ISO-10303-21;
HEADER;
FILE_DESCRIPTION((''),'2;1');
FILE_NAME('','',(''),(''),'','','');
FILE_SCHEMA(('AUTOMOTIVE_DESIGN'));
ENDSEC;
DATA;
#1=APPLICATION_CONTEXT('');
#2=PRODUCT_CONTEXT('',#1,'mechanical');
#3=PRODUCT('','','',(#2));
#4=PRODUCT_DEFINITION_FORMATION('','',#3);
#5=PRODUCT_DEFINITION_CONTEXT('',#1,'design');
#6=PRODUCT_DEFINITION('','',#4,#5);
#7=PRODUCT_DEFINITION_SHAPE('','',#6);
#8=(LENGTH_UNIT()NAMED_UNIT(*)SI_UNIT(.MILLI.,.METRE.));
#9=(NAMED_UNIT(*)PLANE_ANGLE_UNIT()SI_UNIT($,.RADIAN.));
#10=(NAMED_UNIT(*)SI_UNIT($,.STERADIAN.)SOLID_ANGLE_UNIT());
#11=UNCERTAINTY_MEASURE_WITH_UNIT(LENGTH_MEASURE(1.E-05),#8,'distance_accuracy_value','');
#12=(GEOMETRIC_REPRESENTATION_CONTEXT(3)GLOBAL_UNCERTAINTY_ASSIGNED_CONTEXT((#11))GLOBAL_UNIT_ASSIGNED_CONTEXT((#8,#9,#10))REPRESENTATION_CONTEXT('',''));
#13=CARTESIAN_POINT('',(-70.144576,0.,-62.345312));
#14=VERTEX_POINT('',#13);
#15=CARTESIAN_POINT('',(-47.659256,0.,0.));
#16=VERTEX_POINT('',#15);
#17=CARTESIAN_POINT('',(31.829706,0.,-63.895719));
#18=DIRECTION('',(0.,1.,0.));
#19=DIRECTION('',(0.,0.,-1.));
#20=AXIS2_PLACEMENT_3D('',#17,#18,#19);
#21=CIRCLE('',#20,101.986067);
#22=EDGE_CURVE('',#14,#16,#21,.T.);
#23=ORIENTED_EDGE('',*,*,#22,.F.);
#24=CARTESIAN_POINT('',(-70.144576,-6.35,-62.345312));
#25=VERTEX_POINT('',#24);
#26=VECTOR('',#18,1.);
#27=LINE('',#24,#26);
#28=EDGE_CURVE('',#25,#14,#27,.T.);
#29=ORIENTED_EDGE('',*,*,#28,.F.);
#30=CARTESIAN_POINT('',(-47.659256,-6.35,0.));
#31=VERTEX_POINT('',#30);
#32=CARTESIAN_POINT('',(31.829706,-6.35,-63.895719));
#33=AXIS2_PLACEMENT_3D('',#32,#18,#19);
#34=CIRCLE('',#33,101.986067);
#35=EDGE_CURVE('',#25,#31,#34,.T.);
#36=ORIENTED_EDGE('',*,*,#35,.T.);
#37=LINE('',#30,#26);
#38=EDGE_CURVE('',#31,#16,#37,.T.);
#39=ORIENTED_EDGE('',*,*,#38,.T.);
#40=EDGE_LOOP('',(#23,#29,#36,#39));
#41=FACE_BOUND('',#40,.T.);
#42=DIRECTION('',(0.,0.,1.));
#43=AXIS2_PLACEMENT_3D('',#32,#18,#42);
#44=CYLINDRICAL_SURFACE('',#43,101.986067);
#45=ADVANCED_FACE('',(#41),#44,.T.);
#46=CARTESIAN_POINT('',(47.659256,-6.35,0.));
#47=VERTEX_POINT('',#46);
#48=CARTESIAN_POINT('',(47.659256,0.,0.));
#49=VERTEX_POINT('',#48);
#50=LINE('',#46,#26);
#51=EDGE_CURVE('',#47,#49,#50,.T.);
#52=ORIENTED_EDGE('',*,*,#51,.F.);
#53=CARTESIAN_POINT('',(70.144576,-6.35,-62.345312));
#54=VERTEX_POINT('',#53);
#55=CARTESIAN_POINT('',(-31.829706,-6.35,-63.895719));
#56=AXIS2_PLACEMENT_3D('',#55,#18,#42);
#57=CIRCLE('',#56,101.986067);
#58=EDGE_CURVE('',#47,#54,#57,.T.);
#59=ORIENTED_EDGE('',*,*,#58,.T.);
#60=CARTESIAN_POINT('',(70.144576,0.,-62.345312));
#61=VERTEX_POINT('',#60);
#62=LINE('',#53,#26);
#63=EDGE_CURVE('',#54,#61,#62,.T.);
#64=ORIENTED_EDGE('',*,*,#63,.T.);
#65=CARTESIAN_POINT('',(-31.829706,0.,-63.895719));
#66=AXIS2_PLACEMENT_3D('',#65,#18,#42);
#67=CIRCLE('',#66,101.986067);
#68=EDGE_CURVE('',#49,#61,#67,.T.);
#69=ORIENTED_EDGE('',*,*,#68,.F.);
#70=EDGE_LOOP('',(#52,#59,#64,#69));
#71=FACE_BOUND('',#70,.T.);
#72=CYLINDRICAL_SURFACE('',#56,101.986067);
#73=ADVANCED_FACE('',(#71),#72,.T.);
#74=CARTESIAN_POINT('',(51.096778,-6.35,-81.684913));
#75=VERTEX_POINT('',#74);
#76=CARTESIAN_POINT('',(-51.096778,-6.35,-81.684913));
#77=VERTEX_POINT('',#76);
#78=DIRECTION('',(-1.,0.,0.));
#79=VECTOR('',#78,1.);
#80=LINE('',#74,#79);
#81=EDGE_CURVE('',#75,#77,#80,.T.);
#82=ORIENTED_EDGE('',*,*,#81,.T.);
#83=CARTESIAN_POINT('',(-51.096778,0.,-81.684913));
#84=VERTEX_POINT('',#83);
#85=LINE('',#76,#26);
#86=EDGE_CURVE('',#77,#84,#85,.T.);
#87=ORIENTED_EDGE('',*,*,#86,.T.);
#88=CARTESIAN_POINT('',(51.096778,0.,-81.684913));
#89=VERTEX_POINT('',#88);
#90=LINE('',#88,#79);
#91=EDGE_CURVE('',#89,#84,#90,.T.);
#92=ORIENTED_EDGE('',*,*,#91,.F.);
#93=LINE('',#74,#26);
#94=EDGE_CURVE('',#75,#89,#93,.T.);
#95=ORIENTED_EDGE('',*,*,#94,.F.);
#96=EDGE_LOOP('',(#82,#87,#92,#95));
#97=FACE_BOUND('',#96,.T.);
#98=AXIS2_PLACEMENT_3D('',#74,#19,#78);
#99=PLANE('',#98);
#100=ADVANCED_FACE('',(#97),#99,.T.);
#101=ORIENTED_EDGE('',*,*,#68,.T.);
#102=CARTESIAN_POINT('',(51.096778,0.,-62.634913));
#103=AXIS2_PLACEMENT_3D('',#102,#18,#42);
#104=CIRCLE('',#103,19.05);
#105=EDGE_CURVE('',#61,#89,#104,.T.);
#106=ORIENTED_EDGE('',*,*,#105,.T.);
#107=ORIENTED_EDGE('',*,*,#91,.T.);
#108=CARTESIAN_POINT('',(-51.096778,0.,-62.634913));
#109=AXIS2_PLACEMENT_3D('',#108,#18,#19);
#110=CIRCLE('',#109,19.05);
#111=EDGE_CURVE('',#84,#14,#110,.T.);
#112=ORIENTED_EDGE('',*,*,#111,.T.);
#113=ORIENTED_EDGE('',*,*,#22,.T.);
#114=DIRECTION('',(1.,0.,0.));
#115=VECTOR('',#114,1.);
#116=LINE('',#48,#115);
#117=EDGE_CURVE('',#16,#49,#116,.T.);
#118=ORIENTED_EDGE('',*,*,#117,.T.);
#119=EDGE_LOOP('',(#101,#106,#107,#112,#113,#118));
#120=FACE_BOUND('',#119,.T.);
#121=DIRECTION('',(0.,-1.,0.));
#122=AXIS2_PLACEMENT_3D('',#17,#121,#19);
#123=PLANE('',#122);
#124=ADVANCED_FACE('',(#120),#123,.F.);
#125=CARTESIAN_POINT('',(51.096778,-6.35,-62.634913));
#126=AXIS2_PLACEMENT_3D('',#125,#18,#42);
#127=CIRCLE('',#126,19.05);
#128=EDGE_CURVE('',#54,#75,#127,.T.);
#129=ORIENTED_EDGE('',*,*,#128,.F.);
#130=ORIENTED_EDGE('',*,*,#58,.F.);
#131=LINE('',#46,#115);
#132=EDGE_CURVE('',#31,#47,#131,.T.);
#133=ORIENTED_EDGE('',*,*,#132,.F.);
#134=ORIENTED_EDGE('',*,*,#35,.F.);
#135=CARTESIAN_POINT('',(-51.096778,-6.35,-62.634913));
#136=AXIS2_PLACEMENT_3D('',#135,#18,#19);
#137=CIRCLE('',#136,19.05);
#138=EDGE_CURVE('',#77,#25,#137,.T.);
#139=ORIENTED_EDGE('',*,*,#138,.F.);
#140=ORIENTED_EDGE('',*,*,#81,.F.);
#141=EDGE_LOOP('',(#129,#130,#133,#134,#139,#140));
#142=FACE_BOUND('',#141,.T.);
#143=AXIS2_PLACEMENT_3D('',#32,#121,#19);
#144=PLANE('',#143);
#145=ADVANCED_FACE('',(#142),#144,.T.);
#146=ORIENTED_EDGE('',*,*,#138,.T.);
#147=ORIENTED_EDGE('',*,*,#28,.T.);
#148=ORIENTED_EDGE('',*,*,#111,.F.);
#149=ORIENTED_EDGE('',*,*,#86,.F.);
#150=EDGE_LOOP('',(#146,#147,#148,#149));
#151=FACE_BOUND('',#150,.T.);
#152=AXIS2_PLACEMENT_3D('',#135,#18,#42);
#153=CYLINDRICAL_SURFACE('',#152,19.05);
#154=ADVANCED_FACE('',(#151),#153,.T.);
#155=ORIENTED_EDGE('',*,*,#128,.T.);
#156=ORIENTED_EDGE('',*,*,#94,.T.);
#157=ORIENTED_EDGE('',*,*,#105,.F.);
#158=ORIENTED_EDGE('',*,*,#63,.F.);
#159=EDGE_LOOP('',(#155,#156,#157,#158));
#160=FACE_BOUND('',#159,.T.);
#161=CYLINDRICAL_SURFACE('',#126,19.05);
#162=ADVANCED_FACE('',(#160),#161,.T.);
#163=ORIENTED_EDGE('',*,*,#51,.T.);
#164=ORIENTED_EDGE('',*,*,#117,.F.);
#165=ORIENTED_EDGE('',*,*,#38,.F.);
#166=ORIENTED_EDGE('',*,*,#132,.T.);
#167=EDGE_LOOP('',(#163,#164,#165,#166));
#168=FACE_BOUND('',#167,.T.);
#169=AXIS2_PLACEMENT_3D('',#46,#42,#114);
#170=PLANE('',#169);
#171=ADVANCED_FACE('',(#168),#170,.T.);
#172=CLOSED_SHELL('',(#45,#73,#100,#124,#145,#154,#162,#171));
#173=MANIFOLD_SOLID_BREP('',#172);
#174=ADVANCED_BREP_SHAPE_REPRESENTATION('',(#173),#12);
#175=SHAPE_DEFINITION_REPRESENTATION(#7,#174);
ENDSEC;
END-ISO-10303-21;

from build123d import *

# Parameters (mm, degrees)
EXTRUDE3_DEPTH = 6.35


with BuildPart() as part:
    # Sketch12 → Extrude3 (new body)
    with BuildSketch(Plane(origin=(0, 0, 0), x_dir=(1, 0, 0), z_dir=(0, 1, 0))):
        with BuildLine():
            Line((47.659255792, 0), (-47.659255792, 0))
            ThreePointArc((-47.659255792, 0), (-64.107574089, 29.295195073), (-70.144576115, 62.345312104))
            ThreePointArc((-70.144576115, 62.345312104), (-64.669164862, 76.002515657), (-51.096777519, 81.684912961))
            Line((-51.096777519, 81.684912961), (51.096777519, 81.684912961))
            ThreePointArc((51.096777519, 81.684912961), (64.669164862, 76.002515657), (70.144576115, 62.345312104))
            ThreePointArc((70.144576115, 62.345312104), (64.107574089, 29.295195073), (47.659255792, 0))
        make_face()
    extrude(amount=-EXTRUDE3_DEPTH)


solid = part.part
